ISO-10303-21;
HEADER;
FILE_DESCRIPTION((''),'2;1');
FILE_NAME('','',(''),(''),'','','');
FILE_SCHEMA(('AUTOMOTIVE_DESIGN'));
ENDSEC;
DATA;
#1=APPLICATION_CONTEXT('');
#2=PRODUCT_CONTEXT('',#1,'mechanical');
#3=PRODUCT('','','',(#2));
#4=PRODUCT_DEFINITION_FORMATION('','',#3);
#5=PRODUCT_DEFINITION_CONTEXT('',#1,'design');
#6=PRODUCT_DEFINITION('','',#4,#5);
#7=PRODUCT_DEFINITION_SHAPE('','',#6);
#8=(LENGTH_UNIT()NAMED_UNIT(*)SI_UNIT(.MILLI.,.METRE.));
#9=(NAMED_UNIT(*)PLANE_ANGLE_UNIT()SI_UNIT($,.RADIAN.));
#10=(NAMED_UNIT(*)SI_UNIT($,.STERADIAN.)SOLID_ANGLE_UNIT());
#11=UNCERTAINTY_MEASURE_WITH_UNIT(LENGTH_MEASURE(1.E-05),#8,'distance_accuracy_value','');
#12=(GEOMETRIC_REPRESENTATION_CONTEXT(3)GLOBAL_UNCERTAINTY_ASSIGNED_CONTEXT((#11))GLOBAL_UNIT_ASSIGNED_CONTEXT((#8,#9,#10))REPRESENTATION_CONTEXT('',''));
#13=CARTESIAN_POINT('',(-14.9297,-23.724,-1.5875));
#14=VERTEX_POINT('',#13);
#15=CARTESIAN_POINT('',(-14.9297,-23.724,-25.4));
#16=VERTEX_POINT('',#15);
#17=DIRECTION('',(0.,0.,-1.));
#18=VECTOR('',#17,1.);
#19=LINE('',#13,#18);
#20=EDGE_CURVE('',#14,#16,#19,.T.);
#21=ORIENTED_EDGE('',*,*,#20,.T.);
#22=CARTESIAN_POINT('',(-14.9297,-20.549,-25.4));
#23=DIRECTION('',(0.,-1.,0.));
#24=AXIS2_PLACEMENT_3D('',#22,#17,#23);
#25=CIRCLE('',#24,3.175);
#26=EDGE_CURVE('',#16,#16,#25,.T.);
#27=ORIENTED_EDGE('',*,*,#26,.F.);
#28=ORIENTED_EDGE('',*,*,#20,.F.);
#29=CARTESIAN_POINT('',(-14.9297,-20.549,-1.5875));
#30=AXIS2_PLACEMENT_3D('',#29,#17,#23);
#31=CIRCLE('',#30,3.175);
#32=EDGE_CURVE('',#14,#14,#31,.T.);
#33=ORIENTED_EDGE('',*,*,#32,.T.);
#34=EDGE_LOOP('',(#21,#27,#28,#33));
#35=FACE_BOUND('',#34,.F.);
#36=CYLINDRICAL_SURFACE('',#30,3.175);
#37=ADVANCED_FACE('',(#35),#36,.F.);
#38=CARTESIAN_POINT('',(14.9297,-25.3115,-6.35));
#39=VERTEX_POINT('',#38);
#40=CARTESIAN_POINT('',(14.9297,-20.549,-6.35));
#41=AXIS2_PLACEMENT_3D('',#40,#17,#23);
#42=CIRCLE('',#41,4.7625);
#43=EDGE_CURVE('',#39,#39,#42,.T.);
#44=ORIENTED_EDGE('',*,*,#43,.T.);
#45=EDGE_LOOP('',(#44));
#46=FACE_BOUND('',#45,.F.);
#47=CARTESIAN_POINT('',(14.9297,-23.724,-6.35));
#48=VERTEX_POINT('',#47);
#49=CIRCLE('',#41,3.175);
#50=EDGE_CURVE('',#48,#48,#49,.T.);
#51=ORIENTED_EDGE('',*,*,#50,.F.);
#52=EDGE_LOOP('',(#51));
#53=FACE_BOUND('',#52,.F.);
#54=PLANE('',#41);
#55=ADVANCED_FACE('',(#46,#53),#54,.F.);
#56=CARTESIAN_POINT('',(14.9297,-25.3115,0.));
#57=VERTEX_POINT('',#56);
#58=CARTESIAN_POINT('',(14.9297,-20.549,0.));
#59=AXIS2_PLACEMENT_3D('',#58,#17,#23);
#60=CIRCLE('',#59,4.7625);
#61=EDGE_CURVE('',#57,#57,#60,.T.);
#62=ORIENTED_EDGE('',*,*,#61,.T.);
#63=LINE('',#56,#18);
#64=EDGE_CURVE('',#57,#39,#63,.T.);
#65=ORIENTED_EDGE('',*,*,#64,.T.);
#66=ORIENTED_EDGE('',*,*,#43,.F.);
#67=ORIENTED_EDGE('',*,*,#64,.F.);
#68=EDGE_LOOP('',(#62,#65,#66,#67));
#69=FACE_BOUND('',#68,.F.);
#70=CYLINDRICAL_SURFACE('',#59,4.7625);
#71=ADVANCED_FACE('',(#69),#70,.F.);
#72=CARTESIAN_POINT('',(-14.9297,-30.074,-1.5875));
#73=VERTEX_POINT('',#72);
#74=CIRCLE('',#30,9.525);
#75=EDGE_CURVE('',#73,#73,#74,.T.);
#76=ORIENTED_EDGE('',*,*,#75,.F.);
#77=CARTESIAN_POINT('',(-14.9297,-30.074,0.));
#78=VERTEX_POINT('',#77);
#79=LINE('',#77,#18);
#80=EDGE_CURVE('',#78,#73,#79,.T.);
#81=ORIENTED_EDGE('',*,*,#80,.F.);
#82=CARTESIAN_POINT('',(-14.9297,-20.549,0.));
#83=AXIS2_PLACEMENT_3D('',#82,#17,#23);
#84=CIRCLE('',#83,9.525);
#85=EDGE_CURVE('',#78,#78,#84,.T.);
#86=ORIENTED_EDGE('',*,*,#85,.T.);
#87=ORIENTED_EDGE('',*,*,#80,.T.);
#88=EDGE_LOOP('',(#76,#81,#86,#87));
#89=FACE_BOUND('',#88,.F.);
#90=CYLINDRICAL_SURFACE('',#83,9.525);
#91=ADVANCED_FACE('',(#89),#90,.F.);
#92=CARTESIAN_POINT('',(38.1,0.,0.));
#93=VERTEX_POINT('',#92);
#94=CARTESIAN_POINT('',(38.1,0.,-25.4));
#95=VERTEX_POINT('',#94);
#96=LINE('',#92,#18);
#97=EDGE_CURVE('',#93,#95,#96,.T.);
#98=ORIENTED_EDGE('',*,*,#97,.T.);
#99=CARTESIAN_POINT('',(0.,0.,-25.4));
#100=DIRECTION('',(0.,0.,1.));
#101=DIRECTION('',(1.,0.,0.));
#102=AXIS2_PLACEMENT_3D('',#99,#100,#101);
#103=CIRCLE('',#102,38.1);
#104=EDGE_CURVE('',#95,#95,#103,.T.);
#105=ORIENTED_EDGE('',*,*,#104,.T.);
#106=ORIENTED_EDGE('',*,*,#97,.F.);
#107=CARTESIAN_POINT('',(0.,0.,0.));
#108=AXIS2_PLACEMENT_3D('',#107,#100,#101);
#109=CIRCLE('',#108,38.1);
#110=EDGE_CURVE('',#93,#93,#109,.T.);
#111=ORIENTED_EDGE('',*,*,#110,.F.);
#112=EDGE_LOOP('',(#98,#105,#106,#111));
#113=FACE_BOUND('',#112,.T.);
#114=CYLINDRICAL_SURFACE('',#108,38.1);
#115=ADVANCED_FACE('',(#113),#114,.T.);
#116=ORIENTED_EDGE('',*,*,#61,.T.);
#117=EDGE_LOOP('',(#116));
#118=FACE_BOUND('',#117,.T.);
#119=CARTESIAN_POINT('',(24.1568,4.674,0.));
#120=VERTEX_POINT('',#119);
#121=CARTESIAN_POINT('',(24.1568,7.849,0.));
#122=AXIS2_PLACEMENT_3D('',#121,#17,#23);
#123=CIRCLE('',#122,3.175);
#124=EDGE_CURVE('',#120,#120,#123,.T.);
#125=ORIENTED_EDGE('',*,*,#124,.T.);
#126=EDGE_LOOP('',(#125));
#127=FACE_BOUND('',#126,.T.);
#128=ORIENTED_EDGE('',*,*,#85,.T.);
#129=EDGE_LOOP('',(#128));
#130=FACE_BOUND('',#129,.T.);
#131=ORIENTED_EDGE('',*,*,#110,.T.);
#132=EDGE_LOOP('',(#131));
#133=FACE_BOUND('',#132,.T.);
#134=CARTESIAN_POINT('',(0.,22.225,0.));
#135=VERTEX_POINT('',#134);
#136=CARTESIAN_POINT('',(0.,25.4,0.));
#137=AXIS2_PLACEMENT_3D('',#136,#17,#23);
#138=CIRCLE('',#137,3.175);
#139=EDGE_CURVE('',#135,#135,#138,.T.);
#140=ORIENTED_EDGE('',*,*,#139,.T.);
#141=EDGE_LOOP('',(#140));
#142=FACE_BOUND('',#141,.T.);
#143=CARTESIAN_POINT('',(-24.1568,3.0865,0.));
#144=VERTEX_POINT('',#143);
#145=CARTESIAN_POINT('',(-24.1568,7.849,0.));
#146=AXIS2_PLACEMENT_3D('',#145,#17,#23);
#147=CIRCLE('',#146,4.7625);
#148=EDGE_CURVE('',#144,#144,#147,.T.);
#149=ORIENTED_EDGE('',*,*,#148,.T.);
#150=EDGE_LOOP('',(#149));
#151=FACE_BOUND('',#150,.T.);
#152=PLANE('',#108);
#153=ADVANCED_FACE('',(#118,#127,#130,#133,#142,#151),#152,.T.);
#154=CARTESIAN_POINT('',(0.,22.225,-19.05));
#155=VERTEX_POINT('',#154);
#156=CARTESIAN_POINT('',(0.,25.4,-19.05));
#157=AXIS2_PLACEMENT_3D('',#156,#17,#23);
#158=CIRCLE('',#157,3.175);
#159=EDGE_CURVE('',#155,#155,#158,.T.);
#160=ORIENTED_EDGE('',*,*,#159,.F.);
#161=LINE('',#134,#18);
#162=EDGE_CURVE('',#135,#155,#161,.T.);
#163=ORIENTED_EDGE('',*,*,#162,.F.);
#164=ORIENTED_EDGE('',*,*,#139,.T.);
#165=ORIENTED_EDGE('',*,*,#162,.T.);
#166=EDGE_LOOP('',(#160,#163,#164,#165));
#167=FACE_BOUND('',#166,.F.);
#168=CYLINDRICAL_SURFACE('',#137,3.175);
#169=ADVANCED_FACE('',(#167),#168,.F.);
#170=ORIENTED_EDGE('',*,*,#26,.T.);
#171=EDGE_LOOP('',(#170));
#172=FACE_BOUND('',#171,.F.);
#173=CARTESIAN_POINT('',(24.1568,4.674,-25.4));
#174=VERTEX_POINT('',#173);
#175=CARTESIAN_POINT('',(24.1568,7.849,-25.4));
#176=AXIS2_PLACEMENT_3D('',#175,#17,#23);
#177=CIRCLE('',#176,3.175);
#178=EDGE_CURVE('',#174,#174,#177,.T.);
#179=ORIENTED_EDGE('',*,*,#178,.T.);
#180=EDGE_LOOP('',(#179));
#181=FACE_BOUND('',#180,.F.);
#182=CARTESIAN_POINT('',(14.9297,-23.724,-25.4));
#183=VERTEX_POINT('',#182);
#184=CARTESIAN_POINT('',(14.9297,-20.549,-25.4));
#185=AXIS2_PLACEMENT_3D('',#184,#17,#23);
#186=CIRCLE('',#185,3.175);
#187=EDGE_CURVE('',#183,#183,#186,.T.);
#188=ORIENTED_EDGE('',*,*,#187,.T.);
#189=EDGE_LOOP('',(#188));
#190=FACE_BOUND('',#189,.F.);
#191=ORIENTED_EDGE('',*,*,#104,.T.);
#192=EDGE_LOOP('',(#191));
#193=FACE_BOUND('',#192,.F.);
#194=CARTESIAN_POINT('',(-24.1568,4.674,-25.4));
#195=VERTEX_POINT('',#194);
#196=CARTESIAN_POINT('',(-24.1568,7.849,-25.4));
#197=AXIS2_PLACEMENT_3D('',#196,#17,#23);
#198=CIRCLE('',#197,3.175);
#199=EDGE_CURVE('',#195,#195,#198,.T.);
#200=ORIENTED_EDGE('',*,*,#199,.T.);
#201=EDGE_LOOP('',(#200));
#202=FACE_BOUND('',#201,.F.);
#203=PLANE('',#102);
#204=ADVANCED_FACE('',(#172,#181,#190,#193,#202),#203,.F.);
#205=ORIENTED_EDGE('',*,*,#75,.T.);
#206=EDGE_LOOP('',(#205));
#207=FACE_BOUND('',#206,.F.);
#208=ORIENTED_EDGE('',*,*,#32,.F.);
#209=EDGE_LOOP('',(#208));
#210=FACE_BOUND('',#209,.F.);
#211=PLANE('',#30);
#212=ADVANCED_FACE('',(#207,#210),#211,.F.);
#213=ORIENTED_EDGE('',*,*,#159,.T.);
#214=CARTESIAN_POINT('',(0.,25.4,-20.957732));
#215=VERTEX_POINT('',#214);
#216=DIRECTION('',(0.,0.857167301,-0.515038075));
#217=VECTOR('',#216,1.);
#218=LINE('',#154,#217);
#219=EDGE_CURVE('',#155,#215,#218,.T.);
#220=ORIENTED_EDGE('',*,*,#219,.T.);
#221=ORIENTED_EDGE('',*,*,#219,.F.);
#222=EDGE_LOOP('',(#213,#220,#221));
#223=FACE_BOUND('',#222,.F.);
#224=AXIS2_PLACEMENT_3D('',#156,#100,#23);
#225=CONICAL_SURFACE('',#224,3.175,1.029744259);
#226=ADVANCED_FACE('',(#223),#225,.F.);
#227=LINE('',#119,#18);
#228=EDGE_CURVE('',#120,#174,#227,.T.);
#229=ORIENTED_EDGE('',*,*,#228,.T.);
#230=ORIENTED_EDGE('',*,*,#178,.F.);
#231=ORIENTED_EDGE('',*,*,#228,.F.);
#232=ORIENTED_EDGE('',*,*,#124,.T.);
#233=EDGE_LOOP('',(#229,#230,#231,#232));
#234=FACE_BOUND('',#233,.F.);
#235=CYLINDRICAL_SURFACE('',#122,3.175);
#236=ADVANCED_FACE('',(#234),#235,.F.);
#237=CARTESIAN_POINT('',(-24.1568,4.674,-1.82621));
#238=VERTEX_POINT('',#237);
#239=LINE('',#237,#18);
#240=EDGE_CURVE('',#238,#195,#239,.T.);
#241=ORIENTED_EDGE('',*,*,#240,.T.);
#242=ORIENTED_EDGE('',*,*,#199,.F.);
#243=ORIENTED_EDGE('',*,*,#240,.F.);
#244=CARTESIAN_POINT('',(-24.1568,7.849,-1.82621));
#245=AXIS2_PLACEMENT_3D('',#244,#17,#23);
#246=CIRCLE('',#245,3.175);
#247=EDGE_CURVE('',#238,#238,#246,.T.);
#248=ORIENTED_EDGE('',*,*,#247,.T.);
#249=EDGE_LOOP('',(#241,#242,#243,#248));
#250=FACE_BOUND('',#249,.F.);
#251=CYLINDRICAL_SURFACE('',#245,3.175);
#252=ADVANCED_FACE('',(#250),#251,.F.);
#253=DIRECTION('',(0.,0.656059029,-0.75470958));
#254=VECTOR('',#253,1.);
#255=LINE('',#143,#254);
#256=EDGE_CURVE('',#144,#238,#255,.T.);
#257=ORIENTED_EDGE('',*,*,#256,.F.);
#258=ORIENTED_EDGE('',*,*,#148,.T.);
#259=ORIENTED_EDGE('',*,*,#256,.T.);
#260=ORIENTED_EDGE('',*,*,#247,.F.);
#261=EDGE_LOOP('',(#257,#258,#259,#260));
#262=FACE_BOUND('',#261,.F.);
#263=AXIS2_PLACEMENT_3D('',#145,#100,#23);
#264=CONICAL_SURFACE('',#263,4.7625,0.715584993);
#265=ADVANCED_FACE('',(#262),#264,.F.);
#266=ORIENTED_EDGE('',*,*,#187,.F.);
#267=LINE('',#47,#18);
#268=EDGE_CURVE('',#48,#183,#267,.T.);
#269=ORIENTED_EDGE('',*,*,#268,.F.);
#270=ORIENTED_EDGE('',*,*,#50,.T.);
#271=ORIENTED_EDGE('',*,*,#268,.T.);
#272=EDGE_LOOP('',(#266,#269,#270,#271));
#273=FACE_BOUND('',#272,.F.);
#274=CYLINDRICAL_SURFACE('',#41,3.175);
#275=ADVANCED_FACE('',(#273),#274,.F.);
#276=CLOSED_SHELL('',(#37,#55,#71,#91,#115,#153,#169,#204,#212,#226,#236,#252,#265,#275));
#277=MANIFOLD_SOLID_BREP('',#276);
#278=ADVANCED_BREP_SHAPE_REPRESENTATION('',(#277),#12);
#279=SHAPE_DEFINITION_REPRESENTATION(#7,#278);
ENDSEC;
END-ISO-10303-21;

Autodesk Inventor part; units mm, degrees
ref_plane "YZ Plane" through (0, 0, 0) normal (1, 0, 0) x (0, 1, 0)
ref_plane "XZ Plane" through (0, 0, 0) normal (0, 1, 0) x (-1, 0, 0)
ref_plane "XY Plane" through (0, 0, 0) normal (0, 0, 1) x (1, 0, 0)
sketch "Sketch1" plane through (0, 0, 0) normal (0, 0, 1) x (1, 0, 0)
  circle A0 centre (0, 0) radius 38.1
  dimension "d0" = 76.2
extrude "Extrusion1" add sketch "Sketch1" against normal blind 25.4
sketch "Sketch2" plane through (0, 0, 0) normal (0, 0, 1) x (1, 0, 0)
  line L0 (0, 0) -> (0, 25.4)
  point P0 (-24.1568, 7.849)
  point P1 (-14.9297, -20.549)
  point P2 (14.9297, -20.549)
  point P3 (24.1568, 7.849)
  dimension "d5" = 360
hole "Hole1" at (0, 25.4, 0) direction (0, 0, -1) diameter 6.35 depth 19.05 tip angle 118
sketch "Sketch3" plane through (0, 0, 0) normal (0, 0, 1) x (1, 0, 0)
  point P0 (0, 0)
sketch "Sketch4" plane through (0, 0, 0) normal (0, 0, 1) x (1, 0, 0)
  point P0 (0, 0)
sketch "Sketch5" plane through (0, 0, 0) normal (0, 0, 1) x (1, 0, 0)
  point P0 (0, 0)
sketch "Sketch6" plane through (0, 0, 0) normal (0, 0, 1) x (1, 0, 0)
  point P0 (0, 0)
sketch "Sketch7" plane through (0, 0, 0) normal (0, 0, 1) x (1, 0, 0)
  point P0 (0, 0)
hole "Hole2" at (24.1568, 7.849, 0) direction (0, 0, -1) diameter 6.35 end through all
hole "Hole3" at (14.9297, -20.549, 0) direction (0, 0, -1) diameter 6.35 end through all counterbore diameter 9.525 counterbore depth 6.35
hole "Hole4" at (-14.9297, -20.549, 0) direction (0, 0, -1) diameter 6.35 end through all counterbore diameter 19.05 counterbore depth 1.5875
hole "Hole5" at (-24.1568, 7.849, 0) direction (0, 0, -1) diameter 6.35 end through all countersink diameter 9.525 countersink angle 82
properties part number "Drilled Holes"
